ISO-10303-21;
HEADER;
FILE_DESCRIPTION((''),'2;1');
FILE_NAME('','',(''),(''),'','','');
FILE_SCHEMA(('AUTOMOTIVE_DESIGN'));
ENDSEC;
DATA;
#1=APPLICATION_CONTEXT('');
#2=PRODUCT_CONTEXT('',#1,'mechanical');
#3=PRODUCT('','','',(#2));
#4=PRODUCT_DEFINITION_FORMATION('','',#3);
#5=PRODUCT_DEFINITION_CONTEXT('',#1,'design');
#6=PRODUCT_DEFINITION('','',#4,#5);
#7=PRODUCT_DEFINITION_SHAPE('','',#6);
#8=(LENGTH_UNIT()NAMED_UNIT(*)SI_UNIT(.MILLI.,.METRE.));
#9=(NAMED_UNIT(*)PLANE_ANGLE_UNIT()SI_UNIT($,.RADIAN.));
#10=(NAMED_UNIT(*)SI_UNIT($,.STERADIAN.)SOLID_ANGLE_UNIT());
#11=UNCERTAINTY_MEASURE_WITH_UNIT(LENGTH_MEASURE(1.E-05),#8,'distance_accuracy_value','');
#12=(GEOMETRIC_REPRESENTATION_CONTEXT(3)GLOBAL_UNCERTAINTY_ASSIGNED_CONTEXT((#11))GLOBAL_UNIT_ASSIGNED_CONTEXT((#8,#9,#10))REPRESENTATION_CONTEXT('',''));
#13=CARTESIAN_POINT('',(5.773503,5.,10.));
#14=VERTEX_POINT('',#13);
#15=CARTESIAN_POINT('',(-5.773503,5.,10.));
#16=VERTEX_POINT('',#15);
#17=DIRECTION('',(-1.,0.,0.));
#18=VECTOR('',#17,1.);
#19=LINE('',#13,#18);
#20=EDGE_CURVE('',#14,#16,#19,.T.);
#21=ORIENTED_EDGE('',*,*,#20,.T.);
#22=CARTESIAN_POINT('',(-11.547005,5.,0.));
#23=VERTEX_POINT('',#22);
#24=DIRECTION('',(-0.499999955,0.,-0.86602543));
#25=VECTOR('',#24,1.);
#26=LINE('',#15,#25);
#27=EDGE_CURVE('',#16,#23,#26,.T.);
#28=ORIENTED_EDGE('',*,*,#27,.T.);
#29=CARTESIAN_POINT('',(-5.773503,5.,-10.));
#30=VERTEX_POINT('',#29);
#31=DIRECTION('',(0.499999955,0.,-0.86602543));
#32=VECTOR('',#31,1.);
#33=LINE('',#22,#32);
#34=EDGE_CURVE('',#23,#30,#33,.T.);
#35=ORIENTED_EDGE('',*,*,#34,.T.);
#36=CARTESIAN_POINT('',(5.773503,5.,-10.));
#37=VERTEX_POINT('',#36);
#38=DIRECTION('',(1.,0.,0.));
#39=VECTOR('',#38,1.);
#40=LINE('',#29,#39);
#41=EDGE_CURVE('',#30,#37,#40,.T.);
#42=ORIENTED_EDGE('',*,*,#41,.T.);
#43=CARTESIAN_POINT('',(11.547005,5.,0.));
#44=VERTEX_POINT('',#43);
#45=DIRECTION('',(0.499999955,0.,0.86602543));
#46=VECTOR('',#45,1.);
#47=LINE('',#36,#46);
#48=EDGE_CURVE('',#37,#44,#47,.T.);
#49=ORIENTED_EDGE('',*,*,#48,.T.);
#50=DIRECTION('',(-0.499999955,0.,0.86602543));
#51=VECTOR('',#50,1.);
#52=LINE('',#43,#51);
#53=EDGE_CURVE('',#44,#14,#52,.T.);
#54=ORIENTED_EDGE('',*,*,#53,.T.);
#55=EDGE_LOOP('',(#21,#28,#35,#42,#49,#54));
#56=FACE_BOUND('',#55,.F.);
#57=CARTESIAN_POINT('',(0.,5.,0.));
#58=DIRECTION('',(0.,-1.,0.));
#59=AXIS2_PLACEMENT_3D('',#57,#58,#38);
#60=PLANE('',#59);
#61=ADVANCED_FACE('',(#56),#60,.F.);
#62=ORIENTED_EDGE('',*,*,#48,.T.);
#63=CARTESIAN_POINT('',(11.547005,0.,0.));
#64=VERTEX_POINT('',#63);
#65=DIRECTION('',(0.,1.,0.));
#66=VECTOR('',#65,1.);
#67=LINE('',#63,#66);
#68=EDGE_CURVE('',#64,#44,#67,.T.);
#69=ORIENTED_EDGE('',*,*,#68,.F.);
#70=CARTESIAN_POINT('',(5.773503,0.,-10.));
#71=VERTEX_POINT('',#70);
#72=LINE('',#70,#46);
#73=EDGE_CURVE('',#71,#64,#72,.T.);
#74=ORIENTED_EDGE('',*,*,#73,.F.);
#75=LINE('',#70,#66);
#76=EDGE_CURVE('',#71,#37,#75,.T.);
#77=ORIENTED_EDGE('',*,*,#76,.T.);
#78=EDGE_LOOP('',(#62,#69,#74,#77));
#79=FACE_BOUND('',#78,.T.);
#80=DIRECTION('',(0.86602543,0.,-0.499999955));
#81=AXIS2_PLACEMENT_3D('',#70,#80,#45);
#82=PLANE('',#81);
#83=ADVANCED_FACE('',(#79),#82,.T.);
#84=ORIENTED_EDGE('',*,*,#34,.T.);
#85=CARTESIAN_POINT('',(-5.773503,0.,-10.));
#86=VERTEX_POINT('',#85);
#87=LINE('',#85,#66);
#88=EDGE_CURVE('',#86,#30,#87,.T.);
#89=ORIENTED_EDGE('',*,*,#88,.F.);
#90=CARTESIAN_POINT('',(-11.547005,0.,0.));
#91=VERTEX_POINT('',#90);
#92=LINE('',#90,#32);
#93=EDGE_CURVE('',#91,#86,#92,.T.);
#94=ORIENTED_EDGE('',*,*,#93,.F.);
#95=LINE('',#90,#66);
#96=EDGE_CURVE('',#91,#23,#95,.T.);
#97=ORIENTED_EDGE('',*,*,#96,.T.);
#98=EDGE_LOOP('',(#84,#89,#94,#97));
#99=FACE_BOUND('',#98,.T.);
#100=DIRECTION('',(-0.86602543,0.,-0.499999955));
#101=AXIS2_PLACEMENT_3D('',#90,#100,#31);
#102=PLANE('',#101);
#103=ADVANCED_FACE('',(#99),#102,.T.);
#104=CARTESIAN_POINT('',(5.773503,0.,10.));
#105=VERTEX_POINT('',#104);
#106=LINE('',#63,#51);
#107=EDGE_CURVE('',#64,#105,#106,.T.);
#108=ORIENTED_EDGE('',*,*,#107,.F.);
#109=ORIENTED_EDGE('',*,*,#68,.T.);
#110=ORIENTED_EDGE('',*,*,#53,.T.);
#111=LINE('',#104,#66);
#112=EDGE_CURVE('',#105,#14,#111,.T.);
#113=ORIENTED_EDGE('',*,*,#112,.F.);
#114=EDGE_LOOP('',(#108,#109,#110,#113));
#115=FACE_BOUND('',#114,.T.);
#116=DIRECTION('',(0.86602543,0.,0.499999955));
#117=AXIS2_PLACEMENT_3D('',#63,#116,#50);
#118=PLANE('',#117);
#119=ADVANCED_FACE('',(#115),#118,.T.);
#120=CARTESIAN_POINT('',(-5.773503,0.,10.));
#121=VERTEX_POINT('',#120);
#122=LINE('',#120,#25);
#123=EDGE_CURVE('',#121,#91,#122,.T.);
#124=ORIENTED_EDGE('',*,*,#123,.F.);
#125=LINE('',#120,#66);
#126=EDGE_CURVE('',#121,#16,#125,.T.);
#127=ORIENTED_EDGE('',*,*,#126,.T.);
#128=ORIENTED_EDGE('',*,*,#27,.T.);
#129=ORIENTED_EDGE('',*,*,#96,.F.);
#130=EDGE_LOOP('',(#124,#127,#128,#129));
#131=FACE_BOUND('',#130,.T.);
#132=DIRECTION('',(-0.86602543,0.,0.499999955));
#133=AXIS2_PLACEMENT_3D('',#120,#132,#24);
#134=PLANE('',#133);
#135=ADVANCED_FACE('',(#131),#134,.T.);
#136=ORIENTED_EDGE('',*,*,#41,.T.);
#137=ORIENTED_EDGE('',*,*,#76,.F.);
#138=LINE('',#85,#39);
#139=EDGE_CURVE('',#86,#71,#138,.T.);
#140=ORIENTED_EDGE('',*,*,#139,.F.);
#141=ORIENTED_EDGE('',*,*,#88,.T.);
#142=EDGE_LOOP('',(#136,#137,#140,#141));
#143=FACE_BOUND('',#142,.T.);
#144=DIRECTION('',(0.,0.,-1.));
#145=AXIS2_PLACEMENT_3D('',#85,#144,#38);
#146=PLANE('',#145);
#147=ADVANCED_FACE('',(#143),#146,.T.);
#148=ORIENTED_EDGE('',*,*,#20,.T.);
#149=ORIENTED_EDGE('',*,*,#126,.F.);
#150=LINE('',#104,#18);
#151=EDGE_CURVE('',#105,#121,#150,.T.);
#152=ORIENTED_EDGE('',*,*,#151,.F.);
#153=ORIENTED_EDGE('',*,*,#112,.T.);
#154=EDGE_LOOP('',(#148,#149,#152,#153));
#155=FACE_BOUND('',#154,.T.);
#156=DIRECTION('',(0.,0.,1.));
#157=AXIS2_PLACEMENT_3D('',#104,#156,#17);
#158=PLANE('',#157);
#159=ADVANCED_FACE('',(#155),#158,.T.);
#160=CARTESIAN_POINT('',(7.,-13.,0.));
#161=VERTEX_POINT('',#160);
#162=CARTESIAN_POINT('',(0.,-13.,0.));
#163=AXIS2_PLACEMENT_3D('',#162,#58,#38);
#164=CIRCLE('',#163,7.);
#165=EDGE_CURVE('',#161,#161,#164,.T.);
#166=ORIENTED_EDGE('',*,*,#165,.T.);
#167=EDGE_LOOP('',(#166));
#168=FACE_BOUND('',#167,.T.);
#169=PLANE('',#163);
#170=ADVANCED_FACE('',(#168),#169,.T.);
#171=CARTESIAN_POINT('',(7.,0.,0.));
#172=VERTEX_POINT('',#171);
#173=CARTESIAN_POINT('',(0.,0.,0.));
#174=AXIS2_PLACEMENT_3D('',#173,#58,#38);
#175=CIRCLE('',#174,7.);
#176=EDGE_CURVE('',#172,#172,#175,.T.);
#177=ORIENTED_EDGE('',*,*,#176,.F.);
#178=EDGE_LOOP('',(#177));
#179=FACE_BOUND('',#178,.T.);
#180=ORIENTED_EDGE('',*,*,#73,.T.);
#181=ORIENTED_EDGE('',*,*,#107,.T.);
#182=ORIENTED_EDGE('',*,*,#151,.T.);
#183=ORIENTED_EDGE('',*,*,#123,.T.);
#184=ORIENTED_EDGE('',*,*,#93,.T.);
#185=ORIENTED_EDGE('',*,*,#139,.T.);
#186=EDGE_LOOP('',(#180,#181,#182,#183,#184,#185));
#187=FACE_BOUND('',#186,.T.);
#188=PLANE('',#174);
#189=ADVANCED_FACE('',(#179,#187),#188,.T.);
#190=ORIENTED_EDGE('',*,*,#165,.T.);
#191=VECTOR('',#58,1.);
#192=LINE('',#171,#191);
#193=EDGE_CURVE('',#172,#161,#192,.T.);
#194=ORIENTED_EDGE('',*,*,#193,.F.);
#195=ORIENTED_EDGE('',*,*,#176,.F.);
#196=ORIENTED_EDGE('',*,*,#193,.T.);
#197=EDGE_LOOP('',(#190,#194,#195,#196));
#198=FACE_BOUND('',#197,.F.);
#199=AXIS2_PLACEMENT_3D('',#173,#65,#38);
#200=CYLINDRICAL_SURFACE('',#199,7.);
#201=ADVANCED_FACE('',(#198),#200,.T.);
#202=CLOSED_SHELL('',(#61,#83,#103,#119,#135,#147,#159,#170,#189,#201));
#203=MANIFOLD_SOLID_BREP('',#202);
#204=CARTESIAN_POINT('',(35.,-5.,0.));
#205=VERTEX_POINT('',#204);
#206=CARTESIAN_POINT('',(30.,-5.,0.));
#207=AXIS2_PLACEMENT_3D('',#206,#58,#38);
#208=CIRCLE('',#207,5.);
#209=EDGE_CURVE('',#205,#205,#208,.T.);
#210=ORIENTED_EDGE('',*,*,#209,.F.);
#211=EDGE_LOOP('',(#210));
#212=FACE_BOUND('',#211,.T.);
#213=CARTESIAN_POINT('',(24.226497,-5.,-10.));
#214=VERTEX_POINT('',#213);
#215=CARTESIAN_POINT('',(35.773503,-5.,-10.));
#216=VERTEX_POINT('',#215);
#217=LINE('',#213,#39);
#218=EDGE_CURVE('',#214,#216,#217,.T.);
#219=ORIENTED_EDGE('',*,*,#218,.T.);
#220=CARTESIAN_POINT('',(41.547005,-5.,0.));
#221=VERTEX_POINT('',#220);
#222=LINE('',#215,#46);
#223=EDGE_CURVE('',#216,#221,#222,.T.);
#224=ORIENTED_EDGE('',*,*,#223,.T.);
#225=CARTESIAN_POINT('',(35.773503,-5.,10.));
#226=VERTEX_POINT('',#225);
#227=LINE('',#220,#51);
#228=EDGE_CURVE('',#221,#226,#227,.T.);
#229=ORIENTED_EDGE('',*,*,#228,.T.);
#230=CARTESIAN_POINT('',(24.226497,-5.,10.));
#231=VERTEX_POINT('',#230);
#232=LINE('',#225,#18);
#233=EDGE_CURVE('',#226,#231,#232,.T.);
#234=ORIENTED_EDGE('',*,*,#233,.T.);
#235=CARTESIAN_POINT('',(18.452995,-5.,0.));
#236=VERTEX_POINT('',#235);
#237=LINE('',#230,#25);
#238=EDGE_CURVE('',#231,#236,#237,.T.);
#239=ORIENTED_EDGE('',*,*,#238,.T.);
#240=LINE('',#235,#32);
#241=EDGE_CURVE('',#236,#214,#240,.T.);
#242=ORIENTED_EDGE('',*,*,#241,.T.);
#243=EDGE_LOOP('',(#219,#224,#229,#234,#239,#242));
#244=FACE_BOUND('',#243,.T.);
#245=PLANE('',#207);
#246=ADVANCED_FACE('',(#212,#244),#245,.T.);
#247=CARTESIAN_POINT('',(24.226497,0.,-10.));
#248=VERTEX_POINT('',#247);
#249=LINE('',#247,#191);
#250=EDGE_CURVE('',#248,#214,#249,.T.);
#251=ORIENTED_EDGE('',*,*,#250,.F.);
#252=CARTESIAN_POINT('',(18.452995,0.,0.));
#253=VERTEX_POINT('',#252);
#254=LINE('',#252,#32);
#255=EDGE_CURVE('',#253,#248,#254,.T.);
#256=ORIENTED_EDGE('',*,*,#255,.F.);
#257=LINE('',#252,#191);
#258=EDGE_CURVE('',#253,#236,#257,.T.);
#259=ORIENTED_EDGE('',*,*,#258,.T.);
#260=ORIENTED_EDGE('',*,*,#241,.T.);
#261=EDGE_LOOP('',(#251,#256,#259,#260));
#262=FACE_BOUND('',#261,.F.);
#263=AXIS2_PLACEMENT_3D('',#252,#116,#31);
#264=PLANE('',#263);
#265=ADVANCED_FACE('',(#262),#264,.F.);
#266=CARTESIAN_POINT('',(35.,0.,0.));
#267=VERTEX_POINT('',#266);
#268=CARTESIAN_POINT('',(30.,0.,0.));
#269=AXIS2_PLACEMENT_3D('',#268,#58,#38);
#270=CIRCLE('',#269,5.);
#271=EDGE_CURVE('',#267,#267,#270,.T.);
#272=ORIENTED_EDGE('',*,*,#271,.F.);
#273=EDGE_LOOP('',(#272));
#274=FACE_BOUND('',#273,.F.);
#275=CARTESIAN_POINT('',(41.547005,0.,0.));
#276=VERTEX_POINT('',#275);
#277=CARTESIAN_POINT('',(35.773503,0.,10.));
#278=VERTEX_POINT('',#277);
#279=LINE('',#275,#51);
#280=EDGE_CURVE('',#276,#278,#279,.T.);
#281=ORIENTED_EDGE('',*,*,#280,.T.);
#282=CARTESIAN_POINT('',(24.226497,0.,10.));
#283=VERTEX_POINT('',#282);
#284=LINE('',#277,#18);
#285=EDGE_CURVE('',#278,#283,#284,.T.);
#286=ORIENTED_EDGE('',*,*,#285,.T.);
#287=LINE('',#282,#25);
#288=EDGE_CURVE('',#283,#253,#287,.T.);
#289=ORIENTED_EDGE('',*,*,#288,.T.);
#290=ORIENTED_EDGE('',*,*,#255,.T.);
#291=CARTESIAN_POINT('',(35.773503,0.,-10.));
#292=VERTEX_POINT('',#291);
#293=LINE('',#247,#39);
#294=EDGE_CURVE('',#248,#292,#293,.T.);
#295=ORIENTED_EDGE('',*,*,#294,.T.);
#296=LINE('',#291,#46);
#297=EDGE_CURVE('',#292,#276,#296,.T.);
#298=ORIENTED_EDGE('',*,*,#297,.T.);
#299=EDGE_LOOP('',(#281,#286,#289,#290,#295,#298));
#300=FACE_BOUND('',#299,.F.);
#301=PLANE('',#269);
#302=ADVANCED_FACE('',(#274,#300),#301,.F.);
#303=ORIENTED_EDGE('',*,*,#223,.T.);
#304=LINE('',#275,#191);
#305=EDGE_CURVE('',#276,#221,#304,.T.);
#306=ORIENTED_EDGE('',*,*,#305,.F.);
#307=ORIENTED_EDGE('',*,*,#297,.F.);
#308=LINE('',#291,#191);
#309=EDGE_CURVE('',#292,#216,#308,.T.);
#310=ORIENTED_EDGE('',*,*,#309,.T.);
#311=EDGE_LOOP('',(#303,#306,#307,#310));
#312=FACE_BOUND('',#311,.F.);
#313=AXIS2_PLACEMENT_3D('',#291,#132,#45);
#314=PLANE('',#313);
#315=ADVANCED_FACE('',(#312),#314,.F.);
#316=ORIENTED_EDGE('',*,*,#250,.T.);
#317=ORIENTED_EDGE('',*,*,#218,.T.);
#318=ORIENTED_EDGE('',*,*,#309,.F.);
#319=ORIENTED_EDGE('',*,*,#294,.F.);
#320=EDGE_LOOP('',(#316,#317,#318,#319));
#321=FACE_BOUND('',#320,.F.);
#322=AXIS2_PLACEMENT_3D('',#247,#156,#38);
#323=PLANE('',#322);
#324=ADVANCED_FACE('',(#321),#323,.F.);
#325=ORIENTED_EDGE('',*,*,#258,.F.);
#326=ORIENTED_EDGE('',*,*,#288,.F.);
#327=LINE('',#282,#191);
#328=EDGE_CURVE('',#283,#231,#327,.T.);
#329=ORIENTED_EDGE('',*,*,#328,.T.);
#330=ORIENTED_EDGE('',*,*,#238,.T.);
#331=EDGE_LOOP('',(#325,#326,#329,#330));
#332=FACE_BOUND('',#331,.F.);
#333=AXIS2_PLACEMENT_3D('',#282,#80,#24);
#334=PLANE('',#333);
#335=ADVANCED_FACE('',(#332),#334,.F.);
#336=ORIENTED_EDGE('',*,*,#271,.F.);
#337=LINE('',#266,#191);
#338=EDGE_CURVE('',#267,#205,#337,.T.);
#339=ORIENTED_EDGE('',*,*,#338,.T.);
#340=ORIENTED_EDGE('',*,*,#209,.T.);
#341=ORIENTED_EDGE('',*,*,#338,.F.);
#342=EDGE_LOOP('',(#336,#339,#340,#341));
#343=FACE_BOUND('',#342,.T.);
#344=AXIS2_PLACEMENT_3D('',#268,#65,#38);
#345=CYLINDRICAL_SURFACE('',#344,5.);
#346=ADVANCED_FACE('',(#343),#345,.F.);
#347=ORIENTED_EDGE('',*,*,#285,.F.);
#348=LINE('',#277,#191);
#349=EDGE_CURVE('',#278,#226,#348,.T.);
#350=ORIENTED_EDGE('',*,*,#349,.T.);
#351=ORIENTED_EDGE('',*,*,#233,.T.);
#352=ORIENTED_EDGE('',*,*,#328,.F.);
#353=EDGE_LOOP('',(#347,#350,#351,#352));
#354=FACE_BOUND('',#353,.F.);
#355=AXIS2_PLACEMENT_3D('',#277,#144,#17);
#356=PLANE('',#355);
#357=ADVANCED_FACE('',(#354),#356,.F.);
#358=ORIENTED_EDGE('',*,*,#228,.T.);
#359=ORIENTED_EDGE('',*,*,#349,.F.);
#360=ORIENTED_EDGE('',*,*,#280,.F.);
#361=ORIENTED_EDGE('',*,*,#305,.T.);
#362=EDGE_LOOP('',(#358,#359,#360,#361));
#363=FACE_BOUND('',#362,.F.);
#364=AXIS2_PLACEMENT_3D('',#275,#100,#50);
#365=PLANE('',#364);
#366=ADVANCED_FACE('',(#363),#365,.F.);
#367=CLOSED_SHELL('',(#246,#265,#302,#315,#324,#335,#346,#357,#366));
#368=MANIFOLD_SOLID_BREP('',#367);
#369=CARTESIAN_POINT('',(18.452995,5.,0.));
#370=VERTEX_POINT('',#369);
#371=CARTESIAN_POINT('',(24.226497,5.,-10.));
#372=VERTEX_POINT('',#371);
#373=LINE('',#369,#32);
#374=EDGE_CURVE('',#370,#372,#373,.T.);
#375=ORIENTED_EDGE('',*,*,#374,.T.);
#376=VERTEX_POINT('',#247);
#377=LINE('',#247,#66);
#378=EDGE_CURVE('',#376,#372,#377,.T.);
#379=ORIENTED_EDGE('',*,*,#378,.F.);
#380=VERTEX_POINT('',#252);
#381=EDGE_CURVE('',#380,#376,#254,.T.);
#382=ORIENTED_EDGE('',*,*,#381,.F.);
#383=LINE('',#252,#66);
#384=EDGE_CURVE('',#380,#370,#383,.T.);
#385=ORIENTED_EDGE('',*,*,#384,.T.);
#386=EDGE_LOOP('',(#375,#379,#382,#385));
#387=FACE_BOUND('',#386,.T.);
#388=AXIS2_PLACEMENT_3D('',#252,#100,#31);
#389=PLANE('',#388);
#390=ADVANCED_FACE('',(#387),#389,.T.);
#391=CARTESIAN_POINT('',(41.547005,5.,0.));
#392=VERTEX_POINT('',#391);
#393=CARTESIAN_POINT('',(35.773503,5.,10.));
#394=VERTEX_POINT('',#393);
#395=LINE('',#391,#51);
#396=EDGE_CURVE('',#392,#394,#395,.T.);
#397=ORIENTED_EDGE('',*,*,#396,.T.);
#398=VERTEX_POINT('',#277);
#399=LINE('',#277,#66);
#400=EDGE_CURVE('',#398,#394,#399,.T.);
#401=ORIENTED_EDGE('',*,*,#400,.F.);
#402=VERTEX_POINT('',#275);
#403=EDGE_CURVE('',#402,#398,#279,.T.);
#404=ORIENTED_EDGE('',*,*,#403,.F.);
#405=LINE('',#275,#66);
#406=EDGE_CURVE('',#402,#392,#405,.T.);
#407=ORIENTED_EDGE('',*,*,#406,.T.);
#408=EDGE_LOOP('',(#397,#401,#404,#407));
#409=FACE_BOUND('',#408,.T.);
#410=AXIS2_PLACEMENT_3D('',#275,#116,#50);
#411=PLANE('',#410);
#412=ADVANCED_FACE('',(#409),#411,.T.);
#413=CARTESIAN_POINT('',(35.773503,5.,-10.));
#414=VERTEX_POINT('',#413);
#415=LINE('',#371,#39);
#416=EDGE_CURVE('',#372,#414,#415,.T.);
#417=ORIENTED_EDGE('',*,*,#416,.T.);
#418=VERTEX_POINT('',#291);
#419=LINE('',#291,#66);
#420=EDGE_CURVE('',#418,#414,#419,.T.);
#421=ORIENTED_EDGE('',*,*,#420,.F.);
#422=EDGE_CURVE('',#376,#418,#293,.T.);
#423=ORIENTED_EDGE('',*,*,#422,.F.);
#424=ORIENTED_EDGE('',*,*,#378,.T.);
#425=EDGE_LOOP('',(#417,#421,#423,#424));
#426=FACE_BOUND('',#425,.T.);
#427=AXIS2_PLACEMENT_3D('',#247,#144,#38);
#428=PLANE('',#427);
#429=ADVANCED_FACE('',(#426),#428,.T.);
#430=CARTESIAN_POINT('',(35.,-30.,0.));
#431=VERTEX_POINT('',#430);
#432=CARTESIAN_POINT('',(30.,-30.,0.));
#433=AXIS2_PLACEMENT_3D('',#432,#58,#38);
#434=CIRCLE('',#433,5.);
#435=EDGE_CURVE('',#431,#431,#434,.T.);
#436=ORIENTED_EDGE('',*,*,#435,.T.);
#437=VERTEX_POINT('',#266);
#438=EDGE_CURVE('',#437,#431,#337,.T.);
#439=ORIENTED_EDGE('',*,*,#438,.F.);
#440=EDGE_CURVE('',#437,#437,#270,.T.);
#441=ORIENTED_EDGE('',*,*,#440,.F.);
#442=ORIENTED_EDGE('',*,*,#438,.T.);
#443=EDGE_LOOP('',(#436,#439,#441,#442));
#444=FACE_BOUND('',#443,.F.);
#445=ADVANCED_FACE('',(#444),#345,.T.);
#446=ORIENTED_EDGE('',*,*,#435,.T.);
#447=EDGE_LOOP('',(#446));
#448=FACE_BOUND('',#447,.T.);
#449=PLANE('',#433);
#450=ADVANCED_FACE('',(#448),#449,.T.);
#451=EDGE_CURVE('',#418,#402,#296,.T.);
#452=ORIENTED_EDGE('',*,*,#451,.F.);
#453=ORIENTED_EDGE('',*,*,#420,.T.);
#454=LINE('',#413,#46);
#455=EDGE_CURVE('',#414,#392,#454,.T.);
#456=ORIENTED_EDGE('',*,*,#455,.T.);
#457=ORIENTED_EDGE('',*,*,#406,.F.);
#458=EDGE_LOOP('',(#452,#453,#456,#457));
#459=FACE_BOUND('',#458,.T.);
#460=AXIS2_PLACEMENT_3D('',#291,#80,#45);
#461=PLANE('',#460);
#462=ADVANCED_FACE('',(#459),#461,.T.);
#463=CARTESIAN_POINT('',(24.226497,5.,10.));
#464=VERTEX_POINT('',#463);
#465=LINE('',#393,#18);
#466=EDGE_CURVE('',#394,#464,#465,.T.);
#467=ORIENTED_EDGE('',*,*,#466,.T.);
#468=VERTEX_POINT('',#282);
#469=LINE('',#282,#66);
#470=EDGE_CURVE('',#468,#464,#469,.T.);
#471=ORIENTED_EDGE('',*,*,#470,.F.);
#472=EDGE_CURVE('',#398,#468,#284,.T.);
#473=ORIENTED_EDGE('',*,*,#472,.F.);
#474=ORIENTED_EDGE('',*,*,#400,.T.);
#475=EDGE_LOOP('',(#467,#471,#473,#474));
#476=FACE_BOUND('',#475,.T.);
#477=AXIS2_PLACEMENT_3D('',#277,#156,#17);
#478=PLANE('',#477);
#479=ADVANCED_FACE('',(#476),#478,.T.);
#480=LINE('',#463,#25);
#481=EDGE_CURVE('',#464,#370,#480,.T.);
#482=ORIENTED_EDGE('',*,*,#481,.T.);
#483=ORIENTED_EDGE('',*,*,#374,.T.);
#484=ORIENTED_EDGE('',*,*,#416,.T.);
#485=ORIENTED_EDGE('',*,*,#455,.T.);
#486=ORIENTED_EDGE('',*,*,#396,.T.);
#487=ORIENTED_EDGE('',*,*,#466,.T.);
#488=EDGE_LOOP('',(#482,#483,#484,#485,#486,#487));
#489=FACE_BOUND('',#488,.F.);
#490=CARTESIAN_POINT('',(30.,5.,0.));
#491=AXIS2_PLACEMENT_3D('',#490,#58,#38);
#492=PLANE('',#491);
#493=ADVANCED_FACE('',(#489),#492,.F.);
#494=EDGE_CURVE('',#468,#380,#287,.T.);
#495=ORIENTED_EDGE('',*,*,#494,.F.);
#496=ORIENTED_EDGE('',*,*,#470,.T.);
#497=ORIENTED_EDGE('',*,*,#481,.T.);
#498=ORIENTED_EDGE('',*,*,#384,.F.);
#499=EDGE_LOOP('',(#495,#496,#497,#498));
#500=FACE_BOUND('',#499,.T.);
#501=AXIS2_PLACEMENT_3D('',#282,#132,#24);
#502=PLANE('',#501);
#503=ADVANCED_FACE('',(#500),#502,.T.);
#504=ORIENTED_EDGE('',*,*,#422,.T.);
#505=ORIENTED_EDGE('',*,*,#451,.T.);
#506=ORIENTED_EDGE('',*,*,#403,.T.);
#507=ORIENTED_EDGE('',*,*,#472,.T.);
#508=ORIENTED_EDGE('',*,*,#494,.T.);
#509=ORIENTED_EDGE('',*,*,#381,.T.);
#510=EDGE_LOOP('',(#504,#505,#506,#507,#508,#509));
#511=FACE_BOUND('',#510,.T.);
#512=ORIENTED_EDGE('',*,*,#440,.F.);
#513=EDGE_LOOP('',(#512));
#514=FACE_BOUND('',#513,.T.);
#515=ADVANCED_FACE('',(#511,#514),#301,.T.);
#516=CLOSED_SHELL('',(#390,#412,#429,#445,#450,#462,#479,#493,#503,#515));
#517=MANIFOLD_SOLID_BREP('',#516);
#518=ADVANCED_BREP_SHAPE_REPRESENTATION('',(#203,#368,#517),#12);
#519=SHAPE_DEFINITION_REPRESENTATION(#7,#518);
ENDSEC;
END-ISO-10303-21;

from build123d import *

# Parameters (mm, degrees)
F0_R     = 5
F1_DEPTH = 30
F0_R_2   = 7
F2_DEPTH = 13
F3_DEPTH = 5
F4_DEPTH = 5


with BuildPart() as f1:
    # F0 (on Front) → F1 (new body)
    with BuildSketch(Plane.XZ):
        with Locations((30, 0)):
            Circle(F0_R)
    extrude(amount=F1_DEPTH)



with BuildPart() as f2:
    # F0 (on Front) → F2 (new body)
    with BuildSketch(Plane.XZ):
        Circle(F0_R_2)
    extrude(amount=F2_DEPTH)


with BuildPart() as f1_1:
    add(f1.part)

    add(f2.part)  # F3 merges F2
    # F0 (on Front) → F3 (join)
    with BuildSketch(Plane.XZ):
        Polygon((5.773503, 10), (-5.773503, 10), (-11.547005, 0), (-5.773503, -10), (5.773503, -10), (11.547005, 0), align=None)
        Circle(F0_R_2, mode=Mode.SUBTRACT)
        Circle(F0_R_2)
        Polygon((35.773503, 10), (24.226497, 10), (18.452995, 0), (24.226497, -10), (35.773503, -10), (41.547005, 0), align=None)
        with Locations((30, 0)):
            Circle(F0_R, mode=Mode.SUBTRACT)
        with Locations((30, 0)):
            Circle(F0_R)
    extrude(amount=-F3_DEPTH)


with BuildPart() as f4:
    # F0 (on Front) → F4 (new body)
    with BuildSketch(Plane.XZ):
        Polygon((35.773503, 10), (24.226497, 10), (18.452995, 0), (24.226497, -10), (35.773503, -10), (41.547005, 0), align=None)
        with Locations((30, 0)):
            Circle(F0_R, mode=Mode.SUBTRACT)
    extrude(amount=F4_DEPTH)


solid = Compound([f1_1.part, f4.part])
